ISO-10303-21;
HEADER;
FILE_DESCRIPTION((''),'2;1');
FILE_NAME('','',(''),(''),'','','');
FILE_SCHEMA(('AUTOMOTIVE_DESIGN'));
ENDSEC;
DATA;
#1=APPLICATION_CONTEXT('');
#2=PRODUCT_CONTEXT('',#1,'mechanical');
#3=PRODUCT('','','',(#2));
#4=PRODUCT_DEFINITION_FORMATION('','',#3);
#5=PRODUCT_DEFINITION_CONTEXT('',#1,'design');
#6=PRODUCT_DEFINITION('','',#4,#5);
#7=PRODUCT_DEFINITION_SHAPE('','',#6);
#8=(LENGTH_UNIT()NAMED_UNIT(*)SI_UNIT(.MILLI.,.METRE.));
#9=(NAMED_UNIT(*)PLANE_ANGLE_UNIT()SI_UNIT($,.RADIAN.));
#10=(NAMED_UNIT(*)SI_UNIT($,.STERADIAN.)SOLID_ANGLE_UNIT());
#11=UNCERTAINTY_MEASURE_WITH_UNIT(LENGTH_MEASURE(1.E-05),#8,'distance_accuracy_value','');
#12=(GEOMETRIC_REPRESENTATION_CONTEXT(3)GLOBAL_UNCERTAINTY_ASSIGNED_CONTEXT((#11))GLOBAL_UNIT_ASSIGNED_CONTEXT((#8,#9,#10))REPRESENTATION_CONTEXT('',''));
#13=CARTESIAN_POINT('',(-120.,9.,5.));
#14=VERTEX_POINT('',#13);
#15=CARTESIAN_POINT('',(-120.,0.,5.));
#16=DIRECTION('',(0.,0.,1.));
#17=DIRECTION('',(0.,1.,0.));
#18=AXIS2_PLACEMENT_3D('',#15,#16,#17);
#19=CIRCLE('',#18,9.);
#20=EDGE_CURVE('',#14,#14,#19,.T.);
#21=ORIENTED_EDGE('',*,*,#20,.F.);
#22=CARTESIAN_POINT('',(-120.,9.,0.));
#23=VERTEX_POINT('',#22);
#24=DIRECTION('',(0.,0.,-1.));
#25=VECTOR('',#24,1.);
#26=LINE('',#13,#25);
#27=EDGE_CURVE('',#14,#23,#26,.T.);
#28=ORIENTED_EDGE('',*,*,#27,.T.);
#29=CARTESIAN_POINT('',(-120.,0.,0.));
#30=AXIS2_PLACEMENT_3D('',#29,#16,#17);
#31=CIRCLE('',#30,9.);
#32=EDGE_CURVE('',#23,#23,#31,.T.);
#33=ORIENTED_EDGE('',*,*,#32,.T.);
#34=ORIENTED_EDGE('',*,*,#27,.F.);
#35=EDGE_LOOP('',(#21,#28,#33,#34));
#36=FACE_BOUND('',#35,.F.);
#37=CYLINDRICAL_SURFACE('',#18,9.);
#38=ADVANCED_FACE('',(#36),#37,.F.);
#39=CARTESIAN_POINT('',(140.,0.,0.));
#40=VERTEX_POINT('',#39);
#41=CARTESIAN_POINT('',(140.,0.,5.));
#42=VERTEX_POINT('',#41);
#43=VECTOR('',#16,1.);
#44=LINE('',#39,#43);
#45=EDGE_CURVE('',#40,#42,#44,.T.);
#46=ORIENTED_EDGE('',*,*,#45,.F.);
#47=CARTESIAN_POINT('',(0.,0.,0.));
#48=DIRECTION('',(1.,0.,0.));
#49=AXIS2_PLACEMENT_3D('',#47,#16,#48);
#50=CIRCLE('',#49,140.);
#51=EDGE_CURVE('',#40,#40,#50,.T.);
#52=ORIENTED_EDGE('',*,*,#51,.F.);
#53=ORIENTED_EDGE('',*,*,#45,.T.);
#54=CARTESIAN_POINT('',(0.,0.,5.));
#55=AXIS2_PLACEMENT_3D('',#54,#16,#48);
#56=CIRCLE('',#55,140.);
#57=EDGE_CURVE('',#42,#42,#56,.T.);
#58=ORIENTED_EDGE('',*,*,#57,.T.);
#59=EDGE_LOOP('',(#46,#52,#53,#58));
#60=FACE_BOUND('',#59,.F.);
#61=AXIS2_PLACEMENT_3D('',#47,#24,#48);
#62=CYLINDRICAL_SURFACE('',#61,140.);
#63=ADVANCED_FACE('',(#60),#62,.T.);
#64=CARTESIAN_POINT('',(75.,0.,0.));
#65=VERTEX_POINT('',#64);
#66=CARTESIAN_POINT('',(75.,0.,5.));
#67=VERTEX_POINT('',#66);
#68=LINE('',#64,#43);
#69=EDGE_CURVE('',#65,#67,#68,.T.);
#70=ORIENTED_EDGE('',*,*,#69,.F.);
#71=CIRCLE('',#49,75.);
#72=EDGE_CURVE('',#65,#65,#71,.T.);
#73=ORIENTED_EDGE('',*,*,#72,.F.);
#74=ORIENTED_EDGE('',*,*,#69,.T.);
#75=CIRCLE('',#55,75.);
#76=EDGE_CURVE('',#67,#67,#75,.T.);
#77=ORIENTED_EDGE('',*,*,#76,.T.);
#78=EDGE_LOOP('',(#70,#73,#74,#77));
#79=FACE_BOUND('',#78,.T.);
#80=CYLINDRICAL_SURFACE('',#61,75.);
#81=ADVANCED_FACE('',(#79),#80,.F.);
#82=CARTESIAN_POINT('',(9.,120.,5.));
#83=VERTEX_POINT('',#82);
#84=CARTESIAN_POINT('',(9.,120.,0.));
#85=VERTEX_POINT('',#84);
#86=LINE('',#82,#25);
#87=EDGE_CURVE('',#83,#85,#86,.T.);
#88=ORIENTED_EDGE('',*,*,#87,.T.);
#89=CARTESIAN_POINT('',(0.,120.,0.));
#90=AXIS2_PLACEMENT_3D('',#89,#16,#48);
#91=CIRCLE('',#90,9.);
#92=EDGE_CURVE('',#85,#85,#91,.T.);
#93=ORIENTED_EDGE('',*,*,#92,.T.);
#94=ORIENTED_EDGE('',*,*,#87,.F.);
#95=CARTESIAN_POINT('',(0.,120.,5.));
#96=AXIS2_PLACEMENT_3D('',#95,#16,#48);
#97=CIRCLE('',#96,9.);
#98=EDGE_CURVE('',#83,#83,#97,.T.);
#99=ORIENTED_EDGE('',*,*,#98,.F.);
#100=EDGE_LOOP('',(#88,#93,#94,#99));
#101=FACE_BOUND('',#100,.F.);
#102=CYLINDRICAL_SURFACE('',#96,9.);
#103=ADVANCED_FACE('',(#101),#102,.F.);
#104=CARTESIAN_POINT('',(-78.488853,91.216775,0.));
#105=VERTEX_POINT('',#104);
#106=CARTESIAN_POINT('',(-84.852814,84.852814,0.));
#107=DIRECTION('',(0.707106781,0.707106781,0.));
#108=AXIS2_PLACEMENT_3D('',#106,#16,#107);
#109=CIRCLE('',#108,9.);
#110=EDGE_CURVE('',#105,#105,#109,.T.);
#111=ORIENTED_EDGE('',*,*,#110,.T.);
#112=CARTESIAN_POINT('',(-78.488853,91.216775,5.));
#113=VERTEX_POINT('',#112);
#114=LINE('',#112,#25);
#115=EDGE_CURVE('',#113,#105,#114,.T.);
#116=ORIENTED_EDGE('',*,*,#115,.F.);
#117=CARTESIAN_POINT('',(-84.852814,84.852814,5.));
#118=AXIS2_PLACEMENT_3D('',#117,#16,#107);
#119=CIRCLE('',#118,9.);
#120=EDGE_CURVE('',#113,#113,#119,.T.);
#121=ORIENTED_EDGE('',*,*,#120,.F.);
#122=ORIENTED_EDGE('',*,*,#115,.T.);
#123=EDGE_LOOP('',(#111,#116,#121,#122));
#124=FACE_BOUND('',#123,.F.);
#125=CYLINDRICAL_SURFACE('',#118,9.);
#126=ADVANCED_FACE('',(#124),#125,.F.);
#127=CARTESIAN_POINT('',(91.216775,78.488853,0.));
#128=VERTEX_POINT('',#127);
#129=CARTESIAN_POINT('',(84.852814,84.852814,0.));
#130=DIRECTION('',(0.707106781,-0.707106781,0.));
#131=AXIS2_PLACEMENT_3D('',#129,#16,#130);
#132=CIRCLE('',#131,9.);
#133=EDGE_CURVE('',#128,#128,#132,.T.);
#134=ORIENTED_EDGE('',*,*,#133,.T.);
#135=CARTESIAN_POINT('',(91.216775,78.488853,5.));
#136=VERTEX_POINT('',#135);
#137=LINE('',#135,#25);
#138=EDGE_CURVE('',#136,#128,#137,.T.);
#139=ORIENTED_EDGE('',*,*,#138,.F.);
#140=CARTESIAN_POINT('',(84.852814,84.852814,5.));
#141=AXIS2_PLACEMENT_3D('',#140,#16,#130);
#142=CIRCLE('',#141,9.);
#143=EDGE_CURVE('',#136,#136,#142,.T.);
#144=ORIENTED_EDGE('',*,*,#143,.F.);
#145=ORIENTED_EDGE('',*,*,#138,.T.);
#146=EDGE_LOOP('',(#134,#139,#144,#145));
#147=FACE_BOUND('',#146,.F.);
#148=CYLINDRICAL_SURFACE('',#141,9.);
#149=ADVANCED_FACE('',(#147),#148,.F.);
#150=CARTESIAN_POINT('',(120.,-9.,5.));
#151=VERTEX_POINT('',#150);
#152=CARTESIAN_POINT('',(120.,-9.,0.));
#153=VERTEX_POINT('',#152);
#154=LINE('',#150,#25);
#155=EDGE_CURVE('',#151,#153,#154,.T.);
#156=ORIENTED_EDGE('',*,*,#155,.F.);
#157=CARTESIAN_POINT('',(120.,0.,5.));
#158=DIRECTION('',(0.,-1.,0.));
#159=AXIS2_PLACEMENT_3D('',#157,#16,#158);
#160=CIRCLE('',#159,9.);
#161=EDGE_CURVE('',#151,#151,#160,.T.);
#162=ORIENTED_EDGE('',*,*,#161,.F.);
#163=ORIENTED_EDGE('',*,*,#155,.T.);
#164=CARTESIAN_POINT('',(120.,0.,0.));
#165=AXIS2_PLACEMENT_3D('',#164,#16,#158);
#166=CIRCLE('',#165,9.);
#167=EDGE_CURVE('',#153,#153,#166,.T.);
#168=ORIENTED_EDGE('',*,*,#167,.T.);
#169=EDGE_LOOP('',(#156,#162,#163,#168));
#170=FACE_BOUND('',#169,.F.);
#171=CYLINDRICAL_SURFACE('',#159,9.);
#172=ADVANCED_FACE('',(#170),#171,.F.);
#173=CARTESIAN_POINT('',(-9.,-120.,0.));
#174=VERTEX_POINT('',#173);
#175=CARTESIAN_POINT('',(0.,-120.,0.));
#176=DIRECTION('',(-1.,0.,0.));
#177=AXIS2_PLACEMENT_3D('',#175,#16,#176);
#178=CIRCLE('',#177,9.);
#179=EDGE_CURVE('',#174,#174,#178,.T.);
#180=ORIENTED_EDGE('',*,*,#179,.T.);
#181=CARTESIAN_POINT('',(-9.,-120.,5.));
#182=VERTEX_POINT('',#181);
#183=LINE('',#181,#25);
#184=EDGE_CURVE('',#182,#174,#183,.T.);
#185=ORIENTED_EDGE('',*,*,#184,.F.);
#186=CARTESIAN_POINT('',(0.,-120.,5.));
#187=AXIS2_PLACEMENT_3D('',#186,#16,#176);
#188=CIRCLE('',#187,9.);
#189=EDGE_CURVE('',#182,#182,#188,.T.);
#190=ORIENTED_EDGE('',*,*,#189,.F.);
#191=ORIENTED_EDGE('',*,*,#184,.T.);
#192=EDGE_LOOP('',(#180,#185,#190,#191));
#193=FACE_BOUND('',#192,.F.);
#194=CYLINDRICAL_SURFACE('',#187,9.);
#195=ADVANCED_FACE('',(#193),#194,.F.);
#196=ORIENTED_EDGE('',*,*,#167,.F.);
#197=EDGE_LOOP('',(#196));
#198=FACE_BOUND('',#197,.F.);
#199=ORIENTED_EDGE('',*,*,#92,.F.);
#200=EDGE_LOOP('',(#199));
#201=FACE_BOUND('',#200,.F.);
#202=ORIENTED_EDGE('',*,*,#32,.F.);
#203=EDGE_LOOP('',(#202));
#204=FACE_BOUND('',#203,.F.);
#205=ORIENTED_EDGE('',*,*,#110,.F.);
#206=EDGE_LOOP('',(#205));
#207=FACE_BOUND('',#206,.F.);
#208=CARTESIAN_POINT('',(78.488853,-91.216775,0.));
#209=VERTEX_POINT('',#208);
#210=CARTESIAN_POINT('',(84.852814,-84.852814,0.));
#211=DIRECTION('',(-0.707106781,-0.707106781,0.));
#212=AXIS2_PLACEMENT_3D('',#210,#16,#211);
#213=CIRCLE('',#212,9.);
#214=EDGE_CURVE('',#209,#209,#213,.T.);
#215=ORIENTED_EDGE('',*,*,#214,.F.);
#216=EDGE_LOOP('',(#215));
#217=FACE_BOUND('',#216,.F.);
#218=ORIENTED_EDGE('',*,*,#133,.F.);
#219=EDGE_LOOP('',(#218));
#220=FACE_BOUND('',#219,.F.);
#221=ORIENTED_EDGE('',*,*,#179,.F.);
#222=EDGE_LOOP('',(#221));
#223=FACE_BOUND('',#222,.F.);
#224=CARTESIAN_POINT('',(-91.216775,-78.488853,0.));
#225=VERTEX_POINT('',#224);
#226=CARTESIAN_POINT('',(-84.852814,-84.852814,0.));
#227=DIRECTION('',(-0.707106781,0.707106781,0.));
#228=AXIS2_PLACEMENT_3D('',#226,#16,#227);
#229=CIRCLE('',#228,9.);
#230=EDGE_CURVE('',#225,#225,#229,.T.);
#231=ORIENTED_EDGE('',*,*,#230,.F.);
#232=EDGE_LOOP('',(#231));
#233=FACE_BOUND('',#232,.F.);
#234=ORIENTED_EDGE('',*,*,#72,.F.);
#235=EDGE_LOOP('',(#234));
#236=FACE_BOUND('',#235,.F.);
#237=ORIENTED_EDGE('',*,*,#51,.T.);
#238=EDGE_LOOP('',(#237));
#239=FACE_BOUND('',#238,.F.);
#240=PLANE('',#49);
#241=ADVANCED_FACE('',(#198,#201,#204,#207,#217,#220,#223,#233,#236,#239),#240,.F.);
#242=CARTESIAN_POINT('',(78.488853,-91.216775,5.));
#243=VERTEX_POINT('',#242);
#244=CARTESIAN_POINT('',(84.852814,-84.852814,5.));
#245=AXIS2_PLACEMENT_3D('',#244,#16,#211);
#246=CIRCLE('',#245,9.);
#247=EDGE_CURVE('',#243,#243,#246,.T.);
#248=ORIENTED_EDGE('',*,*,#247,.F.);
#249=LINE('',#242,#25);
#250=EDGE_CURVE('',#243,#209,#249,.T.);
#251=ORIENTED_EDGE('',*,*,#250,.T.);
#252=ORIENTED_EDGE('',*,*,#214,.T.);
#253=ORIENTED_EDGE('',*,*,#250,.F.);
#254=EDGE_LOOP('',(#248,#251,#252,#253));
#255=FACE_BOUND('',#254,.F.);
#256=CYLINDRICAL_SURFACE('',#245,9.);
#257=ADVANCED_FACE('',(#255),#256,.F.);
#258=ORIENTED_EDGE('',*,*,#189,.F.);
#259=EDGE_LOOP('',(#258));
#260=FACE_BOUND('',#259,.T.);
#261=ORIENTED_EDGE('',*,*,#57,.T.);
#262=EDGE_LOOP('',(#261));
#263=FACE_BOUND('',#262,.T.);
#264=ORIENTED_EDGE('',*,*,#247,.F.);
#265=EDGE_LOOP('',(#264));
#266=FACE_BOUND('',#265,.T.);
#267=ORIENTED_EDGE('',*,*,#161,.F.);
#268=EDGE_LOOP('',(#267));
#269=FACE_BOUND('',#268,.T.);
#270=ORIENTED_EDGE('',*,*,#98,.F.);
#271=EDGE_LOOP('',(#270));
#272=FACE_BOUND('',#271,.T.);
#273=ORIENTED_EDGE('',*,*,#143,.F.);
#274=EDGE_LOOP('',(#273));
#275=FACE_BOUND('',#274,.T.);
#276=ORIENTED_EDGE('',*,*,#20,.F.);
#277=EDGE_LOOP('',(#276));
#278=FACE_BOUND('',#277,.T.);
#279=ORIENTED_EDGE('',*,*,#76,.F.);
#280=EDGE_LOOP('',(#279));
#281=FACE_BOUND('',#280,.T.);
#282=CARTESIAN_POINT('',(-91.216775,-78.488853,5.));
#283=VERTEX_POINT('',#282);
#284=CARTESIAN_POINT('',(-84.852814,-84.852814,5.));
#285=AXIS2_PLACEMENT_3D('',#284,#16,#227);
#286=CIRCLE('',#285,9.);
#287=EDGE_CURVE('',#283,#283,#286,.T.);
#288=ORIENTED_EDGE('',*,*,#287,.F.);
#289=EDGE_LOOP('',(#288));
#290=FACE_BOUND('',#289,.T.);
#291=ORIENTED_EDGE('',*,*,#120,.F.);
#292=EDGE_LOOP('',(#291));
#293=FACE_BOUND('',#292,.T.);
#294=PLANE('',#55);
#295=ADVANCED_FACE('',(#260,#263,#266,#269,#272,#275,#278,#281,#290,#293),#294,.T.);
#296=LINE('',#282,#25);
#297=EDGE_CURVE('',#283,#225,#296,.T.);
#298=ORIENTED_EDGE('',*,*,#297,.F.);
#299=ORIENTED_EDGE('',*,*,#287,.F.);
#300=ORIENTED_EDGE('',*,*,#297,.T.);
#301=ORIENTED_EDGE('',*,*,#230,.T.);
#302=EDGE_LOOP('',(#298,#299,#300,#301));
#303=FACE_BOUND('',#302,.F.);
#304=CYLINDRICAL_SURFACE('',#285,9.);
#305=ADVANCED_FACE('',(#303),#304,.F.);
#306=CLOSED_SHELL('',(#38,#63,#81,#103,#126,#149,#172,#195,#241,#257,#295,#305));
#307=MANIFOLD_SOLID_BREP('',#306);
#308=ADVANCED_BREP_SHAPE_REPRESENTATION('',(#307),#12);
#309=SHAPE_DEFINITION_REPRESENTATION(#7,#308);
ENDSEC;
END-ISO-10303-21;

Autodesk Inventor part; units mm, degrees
ref_plane "YZ Plane" through (0, 0, 0) normal (1, 0, 0) x (0, 1, 0)
ref_plane "XZ Plane" through (0, 0, 0) normal (0, 1, 0) x (-1, 0, 0)
ref_plane "XY Plane" through (0, 0, 0) normal (0, 0, 1) x (1, 0, 0)
sketch "Sketch1" plane through (0, 0, 0) normal (0, 0, 1) x (1, 0, 0)
  circle A0 centre (0, 0) radius 75
  circle A1 centre (0, 0) radius 140
  dimension "d22" = 150
  dimension "d23" = 280
extrude "Plate1" add sketch "Sketch1" along normal blind 5
sketch "Sketch5" plane through (0, 0, 5) normal (0, 0, 1) x (1, 0, 0)
  circle A0 centre (0, 120) radius 9
  circle A1 centre (0, 0) radius 120 construction
  dimension "d25" = 240
  dimension "d24" = 18
extrude "Cut1" cut sketch "Sketch5" against normal blind 5
pattern_circular "Circular Pattern1" count 8 over 360 about axis through (0, 0, 0) along (0, 0, 1) of "Cut1"
equation "\"d26\" = Thickness"
equation "\"d2\" = Thickness"
equation "\"BendReliefWidth\" = Thickness"
equation "\"BendReliefDepth\" = 0.5 * Thickness"
equation "\"TransitionRadius\" = BendRadius"
equation "\"JacobiRadiusSize\" = BendRadius"
equation "\"GapSize\" = Thickness"
equation "\"Thickness\" = 5"
equation "\"BendRadius\" = 5"
properties part number "drain flange" material "Stainless Steel"
